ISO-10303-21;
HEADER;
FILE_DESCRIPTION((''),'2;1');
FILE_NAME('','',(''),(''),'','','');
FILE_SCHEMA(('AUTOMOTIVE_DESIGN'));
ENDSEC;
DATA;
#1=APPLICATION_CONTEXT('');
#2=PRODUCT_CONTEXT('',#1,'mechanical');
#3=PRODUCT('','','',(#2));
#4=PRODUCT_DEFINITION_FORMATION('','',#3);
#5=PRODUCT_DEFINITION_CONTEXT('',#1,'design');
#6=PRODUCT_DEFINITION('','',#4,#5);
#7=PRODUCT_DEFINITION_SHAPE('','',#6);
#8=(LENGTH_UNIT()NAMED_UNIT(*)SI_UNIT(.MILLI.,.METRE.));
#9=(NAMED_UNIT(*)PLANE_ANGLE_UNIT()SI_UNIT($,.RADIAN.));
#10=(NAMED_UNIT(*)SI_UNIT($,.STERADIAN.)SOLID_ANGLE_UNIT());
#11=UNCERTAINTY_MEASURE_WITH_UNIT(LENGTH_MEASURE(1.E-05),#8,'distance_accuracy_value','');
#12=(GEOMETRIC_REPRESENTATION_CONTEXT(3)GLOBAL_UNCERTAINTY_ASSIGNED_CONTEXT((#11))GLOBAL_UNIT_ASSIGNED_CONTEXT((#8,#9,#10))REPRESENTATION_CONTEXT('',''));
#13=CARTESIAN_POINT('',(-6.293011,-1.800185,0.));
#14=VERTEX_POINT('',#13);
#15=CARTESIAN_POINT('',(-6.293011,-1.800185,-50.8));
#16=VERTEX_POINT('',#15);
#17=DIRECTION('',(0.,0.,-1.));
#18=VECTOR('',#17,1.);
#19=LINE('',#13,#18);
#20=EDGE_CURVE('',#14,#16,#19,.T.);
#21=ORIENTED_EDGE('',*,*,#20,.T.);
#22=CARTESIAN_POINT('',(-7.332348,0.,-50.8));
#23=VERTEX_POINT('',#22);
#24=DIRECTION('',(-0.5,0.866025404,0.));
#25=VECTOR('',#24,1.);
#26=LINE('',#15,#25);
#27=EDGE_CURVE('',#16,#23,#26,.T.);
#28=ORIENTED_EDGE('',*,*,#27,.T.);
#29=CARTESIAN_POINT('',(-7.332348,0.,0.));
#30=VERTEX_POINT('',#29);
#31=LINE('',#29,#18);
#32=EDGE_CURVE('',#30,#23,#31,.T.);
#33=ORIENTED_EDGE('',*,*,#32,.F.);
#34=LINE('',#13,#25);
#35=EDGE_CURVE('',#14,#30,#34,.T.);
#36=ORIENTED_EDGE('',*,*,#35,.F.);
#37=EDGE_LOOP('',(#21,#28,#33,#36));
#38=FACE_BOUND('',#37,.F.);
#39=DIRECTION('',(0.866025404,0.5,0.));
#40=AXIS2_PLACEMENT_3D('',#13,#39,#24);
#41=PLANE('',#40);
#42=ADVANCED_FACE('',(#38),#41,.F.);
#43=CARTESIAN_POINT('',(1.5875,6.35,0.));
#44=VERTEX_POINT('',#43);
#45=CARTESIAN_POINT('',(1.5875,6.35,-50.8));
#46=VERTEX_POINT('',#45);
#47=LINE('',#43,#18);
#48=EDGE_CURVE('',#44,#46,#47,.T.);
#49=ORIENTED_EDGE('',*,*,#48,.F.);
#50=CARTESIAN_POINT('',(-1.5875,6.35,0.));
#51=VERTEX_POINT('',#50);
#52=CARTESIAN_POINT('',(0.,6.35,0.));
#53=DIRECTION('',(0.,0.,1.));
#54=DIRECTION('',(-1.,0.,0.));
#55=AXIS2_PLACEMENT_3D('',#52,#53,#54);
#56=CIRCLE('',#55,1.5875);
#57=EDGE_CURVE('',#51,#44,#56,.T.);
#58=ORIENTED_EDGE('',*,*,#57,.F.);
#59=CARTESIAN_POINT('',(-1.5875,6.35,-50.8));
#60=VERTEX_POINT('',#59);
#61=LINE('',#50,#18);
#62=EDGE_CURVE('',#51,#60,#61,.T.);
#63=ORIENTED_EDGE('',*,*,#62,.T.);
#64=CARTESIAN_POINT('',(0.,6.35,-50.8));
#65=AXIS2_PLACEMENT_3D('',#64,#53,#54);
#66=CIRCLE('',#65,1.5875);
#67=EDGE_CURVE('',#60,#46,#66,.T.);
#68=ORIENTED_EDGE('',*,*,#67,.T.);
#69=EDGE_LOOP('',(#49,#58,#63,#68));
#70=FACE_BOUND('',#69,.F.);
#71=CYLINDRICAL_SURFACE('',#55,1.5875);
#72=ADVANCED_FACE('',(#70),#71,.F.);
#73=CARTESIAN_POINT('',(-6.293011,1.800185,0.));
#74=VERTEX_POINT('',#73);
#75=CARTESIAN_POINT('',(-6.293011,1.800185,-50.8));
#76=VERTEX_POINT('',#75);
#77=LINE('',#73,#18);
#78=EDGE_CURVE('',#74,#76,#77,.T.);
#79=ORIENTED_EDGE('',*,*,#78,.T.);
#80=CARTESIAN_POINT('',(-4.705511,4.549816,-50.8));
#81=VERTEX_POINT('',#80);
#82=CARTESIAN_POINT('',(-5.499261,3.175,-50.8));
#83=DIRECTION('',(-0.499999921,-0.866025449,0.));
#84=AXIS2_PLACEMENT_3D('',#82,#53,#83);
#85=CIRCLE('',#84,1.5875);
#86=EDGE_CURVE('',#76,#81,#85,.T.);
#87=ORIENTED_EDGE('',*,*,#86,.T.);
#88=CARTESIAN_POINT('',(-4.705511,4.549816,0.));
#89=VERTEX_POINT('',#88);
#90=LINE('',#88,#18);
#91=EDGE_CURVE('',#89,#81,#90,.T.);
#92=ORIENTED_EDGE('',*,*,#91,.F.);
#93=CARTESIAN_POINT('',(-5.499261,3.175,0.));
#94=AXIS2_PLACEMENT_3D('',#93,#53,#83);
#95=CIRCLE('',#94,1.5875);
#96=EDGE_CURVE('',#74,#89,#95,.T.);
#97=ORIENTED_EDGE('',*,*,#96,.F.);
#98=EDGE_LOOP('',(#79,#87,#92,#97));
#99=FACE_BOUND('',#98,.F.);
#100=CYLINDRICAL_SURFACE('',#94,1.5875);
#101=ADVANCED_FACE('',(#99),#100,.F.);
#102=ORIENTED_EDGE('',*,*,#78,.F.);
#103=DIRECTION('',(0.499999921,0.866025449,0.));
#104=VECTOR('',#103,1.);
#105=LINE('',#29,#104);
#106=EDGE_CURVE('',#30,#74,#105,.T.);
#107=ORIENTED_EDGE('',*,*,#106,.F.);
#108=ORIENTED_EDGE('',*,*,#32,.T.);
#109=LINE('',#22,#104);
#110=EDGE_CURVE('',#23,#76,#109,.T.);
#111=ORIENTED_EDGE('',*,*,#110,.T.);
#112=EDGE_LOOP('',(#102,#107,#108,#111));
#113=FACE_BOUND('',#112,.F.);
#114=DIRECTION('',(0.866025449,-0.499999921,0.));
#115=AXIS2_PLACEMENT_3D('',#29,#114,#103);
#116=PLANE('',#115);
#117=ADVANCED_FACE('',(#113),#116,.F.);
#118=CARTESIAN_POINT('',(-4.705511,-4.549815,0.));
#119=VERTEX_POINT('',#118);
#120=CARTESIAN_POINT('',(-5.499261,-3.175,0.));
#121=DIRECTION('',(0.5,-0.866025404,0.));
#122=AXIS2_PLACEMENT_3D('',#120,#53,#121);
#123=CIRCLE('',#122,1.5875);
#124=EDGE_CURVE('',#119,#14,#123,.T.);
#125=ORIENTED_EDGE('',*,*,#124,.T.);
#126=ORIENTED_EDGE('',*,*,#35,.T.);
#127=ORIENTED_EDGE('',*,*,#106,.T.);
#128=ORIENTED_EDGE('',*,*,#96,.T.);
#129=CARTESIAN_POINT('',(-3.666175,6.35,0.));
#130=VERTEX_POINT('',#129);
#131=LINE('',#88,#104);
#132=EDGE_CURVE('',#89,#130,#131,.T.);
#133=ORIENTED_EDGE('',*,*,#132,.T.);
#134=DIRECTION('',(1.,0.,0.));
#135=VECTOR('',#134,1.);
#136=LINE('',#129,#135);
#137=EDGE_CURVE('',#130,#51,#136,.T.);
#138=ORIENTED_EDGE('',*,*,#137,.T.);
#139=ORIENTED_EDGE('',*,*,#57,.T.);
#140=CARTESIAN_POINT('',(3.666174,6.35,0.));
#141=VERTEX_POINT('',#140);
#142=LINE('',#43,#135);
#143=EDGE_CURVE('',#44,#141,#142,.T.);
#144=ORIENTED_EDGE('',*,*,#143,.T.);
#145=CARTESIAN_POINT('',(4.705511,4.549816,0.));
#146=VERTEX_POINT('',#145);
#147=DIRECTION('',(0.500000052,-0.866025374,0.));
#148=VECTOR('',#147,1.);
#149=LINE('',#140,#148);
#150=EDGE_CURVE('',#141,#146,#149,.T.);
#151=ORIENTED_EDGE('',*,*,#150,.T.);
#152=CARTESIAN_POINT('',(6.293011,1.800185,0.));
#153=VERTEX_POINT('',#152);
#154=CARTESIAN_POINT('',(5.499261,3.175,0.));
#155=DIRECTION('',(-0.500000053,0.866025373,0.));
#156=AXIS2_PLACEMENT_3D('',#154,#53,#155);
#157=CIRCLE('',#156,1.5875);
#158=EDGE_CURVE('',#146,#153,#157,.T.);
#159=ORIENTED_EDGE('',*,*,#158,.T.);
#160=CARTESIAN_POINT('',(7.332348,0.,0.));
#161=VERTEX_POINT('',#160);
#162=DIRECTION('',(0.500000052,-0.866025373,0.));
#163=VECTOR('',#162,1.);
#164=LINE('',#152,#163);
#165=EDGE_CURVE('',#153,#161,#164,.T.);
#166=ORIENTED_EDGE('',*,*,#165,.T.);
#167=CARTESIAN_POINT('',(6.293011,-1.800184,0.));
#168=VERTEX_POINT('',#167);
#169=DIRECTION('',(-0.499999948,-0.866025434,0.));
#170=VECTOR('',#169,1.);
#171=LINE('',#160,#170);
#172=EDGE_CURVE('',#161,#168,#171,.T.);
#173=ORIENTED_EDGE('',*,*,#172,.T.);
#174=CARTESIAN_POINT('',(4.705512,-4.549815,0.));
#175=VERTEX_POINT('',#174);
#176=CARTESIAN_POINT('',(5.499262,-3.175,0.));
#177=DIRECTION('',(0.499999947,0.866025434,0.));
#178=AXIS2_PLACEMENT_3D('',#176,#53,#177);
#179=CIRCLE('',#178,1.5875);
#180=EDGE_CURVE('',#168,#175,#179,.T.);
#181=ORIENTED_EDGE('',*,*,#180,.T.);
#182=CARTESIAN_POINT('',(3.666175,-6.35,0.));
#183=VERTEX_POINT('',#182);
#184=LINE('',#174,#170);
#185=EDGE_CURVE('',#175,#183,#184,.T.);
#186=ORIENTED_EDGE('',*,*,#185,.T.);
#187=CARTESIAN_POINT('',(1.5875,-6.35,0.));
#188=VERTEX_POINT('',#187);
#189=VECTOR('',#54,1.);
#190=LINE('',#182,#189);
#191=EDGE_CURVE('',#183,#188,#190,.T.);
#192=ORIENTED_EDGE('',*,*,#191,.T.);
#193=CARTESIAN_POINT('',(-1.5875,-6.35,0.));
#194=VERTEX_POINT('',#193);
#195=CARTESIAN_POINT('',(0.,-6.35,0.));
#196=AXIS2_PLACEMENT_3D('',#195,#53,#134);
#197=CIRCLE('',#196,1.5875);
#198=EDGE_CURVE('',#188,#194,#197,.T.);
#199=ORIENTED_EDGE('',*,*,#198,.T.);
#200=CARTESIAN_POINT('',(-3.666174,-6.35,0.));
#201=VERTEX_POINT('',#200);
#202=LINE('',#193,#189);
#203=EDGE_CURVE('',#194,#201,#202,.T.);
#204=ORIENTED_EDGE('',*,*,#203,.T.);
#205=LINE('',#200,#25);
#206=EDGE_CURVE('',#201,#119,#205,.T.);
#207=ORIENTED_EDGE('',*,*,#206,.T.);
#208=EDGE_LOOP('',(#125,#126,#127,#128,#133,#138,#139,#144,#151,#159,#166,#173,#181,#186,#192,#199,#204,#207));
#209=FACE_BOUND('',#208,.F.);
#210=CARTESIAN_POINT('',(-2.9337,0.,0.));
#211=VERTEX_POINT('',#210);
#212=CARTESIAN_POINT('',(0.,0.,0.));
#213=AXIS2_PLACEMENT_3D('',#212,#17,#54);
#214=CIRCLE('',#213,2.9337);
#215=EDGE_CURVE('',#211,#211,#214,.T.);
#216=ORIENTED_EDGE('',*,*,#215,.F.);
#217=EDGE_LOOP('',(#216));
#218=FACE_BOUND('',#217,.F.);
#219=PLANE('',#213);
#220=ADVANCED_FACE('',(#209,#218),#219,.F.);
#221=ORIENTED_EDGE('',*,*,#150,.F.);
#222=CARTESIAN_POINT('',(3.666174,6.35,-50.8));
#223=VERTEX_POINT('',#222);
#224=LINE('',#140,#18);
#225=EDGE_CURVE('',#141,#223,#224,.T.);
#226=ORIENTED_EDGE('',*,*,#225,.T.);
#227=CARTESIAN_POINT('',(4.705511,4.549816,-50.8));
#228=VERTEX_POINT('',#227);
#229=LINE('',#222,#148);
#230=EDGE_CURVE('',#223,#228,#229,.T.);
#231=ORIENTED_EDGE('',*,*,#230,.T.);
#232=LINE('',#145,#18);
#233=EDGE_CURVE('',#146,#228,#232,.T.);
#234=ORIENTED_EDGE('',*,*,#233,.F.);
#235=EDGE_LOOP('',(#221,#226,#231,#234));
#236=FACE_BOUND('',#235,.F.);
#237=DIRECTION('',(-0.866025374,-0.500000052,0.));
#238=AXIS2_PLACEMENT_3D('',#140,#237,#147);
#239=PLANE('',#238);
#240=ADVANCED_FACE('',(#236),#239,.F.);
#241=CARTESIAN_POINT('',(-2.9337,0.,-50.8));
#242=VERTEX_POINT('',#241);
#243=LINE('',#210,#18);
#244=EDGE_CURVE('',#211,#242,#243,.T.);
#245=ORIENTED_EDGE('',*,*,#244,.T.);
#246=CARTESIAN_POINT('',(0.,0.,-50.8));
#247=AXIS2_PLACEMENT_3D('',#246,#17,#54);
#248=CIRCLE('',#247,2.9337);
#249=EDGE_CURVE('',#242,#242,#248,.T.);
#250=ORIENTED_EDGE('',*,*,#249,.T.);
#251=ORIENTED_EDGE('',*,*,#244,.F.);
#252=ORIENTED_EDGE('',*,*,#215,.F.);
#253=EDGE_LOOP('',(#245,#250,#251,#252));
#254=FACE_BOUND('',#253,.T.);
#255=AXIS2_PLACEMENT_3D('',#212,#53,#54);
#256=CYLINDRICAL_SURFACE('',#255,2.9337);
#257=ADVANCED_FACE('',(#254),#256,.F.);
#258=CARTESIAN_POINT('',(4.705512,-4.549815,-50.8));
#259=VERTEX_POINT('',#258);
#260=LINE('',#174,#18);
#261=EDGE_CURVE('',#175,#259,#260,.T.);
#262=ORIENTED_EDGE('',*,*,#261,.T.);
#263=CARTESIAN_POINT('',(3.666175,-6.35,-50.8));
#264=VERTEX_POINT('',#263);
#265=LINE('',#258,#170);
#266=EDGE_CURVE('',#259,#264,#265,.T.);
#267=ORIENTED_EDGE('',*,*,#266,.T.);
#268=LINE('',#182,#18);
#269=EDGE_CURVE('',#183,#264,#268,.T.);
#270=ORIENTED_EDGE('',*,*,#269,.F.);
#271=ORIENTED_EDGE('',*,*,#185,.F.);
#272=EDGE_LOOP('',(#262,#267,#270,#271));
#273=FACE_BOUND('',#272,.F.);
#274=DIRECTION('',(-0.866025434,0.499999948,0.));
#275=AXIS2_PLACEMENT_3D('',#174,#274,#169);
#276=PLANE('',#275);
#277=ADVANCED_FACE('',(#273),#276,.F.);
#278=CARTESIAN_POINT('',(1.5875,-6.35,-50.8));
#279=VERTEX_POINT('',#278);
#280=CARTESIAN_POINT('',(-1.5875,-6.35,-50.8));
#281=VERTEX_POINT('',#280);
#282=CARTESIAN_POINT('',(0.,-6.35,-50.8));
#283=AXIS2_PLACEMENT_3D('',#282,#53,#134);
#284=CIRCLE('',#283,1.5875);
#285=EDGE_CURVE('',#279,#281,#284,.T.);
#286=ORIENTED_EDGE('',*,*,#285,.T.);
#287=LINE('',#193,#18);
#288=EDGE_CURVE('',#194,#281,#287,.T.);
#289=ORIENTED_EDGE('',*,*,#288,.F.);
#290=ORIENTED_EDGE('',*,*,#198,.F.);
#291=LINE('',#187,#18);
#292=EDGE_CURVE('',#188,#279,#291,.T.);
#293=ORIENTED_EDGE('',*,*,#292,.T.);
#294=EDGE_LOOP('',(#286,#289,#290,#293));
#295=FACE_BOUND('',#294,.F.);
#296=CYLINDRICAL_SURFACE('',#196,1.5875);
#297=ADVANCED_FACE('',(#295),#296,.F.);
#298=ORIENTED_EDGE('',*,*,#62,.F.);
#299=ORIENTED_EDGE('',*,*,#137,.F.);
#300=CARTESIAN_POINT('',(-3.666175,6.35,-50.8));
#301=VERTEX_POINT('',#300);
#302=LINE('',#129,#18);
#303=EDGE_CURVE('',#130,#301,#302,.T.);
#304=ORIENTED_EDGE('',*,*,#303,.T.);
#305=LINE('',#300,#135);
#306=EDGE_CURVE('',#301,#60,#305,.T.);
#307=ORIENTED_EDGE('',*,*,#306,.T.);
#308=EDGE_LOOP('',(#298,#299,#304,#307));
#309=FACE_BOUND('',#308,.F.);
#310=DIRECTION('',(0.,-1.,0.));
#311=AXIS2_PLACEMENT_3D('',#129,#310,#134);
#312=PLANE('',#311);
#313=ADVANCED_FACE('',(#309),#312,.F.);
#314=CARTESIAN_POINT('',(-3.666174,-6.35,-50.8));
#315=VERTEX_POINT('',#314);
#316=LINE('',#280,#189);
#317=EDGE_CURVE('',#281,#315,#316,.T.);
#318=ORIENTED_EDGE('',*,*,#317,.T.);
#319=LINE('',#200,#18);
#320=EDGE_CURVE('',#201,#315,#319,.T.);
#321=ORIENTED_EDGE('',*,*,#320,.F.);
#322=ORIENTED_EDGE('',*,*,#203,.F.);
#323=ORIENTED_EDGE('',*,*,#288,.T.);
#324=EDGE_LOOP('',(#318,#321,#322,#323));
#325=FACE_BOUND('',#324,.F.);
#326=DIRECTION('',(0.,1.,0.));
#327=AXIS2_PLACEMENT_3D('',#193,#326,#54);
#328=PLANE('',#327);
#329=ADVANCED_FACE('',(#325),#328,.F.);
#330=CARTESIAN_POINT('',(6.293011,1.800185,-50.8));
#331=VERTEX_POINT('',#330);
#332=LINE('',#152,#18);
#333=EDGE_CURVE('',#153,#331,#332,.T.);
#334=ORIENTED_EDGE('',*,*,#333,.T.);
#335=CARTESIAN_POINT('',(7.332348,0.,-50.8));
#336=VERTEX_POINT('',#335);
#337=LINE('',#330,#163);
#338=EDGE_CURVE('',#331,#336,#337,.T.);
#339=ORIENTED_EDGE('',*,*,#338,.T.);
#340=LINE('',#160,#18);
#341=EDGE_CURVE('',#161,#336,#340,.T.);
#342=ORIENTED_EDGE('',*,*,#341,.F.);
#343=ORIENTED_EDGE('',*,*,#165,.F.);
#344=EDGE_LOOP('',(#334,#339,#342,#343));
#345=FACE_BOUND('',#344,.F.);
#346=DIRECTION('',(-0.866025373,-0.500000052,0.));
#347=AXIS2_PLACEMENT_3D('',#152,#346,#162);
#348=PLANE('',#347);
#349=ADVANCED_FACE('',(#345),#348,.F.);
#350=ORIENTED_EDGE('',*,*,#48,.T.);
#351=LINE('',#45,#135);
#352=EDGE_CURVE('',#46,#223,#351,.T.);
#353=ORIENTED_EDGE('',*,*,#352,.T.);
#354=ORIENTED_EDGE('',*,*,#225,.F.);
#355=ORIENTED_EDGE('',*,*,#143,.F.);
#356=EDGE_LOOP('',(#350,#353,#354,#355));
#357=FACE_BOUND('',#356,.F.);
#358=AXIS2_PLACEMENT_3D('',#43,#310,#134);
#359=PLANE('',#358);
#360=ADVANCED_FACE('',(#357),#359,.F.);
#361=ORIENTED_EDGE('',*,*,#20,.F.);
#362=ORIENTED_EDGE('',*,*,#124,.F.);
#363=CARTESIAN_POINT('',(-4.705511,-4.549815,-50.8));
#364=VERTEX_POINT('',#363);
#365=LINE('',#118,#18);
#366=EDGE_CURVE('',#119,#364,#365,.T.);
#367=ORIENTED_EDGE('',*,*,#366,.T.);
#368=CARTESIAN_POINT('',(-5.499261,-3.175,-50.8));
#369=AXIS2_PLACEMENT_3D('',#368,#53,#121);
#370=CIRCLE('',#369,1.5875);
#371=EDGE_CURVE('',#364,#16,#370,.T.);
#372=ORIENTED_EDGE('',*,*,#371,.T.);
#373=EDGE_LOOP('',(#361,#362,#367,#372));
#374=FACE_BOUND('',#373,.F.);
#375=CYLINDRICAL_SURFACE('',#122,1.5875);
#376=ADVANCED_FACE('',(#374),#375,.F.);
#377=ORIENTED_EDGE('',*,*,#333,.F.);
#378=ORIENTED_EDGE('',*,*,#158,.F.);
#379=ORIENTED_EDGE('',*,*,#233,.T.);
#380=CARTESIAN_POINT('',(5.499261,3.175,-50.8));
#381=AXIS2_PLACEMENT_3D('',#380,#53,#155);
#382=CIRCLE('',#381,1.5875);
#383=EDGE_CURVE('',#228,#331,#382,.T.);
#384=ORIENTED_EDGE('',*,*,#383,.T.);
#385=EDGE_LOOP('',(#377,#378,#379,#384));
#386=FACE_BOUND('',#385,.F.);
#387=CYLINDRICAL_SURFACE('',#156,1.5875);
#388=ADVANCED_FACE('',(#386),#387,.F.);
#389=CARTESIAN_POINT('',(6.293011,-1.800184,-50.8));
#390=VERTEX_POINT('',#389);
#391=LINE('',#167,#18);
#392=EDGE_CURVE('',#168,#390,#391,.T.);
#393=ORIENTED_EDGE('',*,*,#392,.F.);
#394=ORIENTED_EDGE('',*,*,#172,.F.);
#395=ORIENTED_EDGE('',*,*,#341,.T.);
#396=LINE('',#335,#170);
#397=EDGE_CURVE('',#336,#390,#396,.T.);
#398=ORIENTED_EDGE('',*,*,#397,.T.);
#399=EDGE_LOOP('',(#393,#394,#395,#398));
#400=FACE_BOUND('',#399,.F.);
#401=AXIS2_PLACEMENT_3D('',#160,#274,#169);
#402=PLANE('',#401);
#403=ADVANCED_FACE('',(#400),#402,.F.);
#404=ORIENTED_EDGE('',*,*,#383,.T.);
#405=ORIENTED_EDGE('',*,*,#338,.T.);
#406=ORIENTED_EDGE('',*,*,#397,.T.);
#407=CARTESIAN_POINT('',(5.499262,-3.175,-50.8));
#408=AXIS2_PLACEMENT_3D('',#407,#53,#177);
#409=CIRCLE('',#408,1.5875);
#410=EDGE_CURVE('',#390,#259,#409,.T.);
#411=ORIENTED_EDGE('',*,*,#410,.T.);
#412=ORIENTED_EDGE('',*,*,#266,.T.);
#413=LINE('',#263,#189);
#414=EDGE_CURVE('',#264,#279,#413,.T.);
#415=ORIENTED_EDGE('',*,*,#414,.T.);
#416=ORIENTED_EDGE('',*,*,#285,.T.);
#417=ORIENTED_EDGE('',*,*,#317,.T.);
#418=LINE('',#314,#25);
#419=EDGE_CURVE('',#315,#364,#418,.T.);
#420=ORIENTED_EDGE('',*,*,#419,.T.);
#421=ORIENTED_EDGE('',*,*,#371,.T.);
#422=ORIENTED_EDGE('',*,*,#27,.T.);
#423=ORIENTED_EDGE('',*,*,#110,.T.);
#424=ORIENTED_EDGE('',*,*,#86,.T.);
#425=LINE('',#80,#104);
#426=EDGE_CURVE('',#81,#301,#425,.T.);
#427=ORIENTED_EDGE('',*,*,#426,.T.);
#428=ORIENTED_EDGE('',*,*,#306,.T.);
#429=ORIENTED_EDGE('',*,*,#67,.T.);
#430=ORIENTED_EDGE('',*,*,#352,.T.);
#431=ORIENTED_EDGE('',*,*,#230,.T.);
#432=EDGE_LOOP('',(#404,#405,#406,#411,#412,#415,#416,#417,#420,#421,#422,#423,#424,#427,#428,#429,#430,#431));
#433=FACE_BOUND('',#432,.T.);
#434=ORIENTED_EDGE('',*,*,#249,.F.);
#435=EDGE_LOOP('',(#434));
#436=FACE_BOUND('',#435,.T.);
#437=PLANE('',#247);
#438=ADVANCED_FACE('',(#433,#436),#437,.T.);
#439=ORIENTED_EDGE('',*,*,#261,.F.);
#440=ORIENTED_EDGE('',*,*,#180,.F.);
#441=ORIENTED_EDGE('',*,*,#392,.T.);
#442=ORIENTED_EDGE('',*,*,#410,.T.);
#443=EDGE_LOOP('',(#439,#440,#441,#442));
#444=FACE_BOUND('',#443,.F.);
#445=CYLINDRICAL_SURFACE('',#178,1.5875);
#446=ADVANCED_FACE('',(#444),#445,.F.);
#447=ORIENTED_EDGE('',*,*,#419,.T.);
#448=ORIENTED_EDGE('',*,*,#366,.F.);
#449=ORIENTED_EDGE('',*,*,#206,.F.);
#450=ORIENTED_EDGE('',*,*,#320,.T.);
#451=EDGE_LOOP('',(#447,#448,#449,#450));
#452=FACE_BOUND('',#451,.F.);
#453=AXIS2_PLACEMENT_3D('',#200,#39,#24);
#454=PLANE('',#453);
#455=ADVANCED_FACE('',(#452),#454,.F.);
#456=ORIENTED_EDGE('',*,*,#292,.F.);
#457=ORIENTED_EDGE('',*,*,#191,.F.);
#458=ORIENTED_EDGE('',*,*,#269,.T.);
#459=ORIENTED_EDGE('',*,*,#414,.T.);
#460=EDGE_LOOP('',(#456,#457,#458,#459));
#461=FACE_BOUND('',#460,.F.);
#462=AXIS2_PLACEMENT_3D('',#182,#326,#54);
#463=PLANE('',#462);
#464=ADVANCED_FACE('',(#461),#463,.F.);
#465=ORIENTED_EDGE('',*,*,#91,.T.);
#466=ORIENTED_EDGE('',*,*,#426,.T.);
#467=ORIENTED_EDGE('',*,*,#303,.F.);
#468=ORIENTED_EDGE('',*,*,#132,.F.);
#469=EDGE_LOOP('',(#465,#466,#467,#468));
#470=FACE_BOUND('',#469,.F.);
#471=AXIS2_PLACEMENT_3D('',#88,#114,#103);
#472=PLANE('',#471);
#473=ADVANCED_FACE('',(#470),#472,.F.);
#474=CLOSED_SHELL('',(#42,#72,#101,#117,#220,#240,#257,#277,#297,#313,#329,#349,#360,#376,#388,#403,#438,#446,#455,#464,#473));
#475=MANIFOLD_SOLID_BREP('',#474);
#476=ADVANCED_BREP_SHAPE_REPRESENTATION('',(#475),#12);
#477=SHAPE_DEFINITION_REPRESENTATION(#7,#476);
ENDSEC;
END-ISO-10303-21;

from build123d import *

# Parameters (mm, degrees)
SKETCH1_R           = 2.9337
BOSS_EXTRUDE2_DEPTH = 50.8


with BuildPart() as part:
    # Sketch1 → Boss-Extrude2 (new body)
    with BuildSketch(Plane(origin=(0, 0, 0), x_dir=(-1, 0, 0), z_dir=(0, 0, -1))):
        with BuildLine():
            Line((-4.70551159, -4.549815043), (-3.666174521, -6.349999904))
            Line((-3.666174521, -6.349999904), (-1.587500385, -6.349999904))
            ThreePointArc((-1.587500385, -6.349999904), (-3.85e-07, -4.762499904), (1.587499615, -6.349999904))
            Line((1.587499615, -6.349999904), (3.666173825, -6.349999904))
            Line((3.666173825, -6.349999904), (4.705510929, -4.549815232))
            ThreePointArc((4.705510929, -4.549815232), (4.124445601, -2.381249904), (6.293010929, -1.800184575))
            Line((6.293010929, -1.800184575), (7.332348034, 9.6e-08))
            Line((7.332348034, 9.6e-08), (6.293011178, 1.800184715))
            ThreePointArc((6.293011178, 1.800184715), (4.124445902, 2.381250241), (4.705511428, 4.549815516))
            Line((4.705511428, 4.549815516), (3.666174521, 6.350000222))
            Line((3.666174521, 6.350000222), (1.587500385, 6.350000222))
            ThreePointArc((1.587500385, 6.350000222), (3.85e-07, 4.762500222), (-1.587499615, 6.350000222))
            Line((-1.587499615, 6.350000222), (-3.666173825, 6.350000222))
            Line((-3.666173825, 6.350000222), (-4.705511038, 4.549815614))
            ThreePointArc((-4.705511038, 4.549815614), (-4.124445841, 2.38125025), (-6.293011205, 1.800185053))
            Line((-6.293011205, 1.800185053), (-7.332348419, 4.44e-07))
            Line((-7.332348419, 4.44e-07), (-6.293011423, -1.80018429))
            ThreePointArc((-6.293011423, -1.80018429), (-4.12444613, -2.38124975), (-4.70551159, -4.549815043))
        make_face()
        Circle(SKETCH1_R, mode=Mode.SUBTRACT)
    extrude(amount=BOSS_EXTRUDE2_DEPTH)


solid = part.part
